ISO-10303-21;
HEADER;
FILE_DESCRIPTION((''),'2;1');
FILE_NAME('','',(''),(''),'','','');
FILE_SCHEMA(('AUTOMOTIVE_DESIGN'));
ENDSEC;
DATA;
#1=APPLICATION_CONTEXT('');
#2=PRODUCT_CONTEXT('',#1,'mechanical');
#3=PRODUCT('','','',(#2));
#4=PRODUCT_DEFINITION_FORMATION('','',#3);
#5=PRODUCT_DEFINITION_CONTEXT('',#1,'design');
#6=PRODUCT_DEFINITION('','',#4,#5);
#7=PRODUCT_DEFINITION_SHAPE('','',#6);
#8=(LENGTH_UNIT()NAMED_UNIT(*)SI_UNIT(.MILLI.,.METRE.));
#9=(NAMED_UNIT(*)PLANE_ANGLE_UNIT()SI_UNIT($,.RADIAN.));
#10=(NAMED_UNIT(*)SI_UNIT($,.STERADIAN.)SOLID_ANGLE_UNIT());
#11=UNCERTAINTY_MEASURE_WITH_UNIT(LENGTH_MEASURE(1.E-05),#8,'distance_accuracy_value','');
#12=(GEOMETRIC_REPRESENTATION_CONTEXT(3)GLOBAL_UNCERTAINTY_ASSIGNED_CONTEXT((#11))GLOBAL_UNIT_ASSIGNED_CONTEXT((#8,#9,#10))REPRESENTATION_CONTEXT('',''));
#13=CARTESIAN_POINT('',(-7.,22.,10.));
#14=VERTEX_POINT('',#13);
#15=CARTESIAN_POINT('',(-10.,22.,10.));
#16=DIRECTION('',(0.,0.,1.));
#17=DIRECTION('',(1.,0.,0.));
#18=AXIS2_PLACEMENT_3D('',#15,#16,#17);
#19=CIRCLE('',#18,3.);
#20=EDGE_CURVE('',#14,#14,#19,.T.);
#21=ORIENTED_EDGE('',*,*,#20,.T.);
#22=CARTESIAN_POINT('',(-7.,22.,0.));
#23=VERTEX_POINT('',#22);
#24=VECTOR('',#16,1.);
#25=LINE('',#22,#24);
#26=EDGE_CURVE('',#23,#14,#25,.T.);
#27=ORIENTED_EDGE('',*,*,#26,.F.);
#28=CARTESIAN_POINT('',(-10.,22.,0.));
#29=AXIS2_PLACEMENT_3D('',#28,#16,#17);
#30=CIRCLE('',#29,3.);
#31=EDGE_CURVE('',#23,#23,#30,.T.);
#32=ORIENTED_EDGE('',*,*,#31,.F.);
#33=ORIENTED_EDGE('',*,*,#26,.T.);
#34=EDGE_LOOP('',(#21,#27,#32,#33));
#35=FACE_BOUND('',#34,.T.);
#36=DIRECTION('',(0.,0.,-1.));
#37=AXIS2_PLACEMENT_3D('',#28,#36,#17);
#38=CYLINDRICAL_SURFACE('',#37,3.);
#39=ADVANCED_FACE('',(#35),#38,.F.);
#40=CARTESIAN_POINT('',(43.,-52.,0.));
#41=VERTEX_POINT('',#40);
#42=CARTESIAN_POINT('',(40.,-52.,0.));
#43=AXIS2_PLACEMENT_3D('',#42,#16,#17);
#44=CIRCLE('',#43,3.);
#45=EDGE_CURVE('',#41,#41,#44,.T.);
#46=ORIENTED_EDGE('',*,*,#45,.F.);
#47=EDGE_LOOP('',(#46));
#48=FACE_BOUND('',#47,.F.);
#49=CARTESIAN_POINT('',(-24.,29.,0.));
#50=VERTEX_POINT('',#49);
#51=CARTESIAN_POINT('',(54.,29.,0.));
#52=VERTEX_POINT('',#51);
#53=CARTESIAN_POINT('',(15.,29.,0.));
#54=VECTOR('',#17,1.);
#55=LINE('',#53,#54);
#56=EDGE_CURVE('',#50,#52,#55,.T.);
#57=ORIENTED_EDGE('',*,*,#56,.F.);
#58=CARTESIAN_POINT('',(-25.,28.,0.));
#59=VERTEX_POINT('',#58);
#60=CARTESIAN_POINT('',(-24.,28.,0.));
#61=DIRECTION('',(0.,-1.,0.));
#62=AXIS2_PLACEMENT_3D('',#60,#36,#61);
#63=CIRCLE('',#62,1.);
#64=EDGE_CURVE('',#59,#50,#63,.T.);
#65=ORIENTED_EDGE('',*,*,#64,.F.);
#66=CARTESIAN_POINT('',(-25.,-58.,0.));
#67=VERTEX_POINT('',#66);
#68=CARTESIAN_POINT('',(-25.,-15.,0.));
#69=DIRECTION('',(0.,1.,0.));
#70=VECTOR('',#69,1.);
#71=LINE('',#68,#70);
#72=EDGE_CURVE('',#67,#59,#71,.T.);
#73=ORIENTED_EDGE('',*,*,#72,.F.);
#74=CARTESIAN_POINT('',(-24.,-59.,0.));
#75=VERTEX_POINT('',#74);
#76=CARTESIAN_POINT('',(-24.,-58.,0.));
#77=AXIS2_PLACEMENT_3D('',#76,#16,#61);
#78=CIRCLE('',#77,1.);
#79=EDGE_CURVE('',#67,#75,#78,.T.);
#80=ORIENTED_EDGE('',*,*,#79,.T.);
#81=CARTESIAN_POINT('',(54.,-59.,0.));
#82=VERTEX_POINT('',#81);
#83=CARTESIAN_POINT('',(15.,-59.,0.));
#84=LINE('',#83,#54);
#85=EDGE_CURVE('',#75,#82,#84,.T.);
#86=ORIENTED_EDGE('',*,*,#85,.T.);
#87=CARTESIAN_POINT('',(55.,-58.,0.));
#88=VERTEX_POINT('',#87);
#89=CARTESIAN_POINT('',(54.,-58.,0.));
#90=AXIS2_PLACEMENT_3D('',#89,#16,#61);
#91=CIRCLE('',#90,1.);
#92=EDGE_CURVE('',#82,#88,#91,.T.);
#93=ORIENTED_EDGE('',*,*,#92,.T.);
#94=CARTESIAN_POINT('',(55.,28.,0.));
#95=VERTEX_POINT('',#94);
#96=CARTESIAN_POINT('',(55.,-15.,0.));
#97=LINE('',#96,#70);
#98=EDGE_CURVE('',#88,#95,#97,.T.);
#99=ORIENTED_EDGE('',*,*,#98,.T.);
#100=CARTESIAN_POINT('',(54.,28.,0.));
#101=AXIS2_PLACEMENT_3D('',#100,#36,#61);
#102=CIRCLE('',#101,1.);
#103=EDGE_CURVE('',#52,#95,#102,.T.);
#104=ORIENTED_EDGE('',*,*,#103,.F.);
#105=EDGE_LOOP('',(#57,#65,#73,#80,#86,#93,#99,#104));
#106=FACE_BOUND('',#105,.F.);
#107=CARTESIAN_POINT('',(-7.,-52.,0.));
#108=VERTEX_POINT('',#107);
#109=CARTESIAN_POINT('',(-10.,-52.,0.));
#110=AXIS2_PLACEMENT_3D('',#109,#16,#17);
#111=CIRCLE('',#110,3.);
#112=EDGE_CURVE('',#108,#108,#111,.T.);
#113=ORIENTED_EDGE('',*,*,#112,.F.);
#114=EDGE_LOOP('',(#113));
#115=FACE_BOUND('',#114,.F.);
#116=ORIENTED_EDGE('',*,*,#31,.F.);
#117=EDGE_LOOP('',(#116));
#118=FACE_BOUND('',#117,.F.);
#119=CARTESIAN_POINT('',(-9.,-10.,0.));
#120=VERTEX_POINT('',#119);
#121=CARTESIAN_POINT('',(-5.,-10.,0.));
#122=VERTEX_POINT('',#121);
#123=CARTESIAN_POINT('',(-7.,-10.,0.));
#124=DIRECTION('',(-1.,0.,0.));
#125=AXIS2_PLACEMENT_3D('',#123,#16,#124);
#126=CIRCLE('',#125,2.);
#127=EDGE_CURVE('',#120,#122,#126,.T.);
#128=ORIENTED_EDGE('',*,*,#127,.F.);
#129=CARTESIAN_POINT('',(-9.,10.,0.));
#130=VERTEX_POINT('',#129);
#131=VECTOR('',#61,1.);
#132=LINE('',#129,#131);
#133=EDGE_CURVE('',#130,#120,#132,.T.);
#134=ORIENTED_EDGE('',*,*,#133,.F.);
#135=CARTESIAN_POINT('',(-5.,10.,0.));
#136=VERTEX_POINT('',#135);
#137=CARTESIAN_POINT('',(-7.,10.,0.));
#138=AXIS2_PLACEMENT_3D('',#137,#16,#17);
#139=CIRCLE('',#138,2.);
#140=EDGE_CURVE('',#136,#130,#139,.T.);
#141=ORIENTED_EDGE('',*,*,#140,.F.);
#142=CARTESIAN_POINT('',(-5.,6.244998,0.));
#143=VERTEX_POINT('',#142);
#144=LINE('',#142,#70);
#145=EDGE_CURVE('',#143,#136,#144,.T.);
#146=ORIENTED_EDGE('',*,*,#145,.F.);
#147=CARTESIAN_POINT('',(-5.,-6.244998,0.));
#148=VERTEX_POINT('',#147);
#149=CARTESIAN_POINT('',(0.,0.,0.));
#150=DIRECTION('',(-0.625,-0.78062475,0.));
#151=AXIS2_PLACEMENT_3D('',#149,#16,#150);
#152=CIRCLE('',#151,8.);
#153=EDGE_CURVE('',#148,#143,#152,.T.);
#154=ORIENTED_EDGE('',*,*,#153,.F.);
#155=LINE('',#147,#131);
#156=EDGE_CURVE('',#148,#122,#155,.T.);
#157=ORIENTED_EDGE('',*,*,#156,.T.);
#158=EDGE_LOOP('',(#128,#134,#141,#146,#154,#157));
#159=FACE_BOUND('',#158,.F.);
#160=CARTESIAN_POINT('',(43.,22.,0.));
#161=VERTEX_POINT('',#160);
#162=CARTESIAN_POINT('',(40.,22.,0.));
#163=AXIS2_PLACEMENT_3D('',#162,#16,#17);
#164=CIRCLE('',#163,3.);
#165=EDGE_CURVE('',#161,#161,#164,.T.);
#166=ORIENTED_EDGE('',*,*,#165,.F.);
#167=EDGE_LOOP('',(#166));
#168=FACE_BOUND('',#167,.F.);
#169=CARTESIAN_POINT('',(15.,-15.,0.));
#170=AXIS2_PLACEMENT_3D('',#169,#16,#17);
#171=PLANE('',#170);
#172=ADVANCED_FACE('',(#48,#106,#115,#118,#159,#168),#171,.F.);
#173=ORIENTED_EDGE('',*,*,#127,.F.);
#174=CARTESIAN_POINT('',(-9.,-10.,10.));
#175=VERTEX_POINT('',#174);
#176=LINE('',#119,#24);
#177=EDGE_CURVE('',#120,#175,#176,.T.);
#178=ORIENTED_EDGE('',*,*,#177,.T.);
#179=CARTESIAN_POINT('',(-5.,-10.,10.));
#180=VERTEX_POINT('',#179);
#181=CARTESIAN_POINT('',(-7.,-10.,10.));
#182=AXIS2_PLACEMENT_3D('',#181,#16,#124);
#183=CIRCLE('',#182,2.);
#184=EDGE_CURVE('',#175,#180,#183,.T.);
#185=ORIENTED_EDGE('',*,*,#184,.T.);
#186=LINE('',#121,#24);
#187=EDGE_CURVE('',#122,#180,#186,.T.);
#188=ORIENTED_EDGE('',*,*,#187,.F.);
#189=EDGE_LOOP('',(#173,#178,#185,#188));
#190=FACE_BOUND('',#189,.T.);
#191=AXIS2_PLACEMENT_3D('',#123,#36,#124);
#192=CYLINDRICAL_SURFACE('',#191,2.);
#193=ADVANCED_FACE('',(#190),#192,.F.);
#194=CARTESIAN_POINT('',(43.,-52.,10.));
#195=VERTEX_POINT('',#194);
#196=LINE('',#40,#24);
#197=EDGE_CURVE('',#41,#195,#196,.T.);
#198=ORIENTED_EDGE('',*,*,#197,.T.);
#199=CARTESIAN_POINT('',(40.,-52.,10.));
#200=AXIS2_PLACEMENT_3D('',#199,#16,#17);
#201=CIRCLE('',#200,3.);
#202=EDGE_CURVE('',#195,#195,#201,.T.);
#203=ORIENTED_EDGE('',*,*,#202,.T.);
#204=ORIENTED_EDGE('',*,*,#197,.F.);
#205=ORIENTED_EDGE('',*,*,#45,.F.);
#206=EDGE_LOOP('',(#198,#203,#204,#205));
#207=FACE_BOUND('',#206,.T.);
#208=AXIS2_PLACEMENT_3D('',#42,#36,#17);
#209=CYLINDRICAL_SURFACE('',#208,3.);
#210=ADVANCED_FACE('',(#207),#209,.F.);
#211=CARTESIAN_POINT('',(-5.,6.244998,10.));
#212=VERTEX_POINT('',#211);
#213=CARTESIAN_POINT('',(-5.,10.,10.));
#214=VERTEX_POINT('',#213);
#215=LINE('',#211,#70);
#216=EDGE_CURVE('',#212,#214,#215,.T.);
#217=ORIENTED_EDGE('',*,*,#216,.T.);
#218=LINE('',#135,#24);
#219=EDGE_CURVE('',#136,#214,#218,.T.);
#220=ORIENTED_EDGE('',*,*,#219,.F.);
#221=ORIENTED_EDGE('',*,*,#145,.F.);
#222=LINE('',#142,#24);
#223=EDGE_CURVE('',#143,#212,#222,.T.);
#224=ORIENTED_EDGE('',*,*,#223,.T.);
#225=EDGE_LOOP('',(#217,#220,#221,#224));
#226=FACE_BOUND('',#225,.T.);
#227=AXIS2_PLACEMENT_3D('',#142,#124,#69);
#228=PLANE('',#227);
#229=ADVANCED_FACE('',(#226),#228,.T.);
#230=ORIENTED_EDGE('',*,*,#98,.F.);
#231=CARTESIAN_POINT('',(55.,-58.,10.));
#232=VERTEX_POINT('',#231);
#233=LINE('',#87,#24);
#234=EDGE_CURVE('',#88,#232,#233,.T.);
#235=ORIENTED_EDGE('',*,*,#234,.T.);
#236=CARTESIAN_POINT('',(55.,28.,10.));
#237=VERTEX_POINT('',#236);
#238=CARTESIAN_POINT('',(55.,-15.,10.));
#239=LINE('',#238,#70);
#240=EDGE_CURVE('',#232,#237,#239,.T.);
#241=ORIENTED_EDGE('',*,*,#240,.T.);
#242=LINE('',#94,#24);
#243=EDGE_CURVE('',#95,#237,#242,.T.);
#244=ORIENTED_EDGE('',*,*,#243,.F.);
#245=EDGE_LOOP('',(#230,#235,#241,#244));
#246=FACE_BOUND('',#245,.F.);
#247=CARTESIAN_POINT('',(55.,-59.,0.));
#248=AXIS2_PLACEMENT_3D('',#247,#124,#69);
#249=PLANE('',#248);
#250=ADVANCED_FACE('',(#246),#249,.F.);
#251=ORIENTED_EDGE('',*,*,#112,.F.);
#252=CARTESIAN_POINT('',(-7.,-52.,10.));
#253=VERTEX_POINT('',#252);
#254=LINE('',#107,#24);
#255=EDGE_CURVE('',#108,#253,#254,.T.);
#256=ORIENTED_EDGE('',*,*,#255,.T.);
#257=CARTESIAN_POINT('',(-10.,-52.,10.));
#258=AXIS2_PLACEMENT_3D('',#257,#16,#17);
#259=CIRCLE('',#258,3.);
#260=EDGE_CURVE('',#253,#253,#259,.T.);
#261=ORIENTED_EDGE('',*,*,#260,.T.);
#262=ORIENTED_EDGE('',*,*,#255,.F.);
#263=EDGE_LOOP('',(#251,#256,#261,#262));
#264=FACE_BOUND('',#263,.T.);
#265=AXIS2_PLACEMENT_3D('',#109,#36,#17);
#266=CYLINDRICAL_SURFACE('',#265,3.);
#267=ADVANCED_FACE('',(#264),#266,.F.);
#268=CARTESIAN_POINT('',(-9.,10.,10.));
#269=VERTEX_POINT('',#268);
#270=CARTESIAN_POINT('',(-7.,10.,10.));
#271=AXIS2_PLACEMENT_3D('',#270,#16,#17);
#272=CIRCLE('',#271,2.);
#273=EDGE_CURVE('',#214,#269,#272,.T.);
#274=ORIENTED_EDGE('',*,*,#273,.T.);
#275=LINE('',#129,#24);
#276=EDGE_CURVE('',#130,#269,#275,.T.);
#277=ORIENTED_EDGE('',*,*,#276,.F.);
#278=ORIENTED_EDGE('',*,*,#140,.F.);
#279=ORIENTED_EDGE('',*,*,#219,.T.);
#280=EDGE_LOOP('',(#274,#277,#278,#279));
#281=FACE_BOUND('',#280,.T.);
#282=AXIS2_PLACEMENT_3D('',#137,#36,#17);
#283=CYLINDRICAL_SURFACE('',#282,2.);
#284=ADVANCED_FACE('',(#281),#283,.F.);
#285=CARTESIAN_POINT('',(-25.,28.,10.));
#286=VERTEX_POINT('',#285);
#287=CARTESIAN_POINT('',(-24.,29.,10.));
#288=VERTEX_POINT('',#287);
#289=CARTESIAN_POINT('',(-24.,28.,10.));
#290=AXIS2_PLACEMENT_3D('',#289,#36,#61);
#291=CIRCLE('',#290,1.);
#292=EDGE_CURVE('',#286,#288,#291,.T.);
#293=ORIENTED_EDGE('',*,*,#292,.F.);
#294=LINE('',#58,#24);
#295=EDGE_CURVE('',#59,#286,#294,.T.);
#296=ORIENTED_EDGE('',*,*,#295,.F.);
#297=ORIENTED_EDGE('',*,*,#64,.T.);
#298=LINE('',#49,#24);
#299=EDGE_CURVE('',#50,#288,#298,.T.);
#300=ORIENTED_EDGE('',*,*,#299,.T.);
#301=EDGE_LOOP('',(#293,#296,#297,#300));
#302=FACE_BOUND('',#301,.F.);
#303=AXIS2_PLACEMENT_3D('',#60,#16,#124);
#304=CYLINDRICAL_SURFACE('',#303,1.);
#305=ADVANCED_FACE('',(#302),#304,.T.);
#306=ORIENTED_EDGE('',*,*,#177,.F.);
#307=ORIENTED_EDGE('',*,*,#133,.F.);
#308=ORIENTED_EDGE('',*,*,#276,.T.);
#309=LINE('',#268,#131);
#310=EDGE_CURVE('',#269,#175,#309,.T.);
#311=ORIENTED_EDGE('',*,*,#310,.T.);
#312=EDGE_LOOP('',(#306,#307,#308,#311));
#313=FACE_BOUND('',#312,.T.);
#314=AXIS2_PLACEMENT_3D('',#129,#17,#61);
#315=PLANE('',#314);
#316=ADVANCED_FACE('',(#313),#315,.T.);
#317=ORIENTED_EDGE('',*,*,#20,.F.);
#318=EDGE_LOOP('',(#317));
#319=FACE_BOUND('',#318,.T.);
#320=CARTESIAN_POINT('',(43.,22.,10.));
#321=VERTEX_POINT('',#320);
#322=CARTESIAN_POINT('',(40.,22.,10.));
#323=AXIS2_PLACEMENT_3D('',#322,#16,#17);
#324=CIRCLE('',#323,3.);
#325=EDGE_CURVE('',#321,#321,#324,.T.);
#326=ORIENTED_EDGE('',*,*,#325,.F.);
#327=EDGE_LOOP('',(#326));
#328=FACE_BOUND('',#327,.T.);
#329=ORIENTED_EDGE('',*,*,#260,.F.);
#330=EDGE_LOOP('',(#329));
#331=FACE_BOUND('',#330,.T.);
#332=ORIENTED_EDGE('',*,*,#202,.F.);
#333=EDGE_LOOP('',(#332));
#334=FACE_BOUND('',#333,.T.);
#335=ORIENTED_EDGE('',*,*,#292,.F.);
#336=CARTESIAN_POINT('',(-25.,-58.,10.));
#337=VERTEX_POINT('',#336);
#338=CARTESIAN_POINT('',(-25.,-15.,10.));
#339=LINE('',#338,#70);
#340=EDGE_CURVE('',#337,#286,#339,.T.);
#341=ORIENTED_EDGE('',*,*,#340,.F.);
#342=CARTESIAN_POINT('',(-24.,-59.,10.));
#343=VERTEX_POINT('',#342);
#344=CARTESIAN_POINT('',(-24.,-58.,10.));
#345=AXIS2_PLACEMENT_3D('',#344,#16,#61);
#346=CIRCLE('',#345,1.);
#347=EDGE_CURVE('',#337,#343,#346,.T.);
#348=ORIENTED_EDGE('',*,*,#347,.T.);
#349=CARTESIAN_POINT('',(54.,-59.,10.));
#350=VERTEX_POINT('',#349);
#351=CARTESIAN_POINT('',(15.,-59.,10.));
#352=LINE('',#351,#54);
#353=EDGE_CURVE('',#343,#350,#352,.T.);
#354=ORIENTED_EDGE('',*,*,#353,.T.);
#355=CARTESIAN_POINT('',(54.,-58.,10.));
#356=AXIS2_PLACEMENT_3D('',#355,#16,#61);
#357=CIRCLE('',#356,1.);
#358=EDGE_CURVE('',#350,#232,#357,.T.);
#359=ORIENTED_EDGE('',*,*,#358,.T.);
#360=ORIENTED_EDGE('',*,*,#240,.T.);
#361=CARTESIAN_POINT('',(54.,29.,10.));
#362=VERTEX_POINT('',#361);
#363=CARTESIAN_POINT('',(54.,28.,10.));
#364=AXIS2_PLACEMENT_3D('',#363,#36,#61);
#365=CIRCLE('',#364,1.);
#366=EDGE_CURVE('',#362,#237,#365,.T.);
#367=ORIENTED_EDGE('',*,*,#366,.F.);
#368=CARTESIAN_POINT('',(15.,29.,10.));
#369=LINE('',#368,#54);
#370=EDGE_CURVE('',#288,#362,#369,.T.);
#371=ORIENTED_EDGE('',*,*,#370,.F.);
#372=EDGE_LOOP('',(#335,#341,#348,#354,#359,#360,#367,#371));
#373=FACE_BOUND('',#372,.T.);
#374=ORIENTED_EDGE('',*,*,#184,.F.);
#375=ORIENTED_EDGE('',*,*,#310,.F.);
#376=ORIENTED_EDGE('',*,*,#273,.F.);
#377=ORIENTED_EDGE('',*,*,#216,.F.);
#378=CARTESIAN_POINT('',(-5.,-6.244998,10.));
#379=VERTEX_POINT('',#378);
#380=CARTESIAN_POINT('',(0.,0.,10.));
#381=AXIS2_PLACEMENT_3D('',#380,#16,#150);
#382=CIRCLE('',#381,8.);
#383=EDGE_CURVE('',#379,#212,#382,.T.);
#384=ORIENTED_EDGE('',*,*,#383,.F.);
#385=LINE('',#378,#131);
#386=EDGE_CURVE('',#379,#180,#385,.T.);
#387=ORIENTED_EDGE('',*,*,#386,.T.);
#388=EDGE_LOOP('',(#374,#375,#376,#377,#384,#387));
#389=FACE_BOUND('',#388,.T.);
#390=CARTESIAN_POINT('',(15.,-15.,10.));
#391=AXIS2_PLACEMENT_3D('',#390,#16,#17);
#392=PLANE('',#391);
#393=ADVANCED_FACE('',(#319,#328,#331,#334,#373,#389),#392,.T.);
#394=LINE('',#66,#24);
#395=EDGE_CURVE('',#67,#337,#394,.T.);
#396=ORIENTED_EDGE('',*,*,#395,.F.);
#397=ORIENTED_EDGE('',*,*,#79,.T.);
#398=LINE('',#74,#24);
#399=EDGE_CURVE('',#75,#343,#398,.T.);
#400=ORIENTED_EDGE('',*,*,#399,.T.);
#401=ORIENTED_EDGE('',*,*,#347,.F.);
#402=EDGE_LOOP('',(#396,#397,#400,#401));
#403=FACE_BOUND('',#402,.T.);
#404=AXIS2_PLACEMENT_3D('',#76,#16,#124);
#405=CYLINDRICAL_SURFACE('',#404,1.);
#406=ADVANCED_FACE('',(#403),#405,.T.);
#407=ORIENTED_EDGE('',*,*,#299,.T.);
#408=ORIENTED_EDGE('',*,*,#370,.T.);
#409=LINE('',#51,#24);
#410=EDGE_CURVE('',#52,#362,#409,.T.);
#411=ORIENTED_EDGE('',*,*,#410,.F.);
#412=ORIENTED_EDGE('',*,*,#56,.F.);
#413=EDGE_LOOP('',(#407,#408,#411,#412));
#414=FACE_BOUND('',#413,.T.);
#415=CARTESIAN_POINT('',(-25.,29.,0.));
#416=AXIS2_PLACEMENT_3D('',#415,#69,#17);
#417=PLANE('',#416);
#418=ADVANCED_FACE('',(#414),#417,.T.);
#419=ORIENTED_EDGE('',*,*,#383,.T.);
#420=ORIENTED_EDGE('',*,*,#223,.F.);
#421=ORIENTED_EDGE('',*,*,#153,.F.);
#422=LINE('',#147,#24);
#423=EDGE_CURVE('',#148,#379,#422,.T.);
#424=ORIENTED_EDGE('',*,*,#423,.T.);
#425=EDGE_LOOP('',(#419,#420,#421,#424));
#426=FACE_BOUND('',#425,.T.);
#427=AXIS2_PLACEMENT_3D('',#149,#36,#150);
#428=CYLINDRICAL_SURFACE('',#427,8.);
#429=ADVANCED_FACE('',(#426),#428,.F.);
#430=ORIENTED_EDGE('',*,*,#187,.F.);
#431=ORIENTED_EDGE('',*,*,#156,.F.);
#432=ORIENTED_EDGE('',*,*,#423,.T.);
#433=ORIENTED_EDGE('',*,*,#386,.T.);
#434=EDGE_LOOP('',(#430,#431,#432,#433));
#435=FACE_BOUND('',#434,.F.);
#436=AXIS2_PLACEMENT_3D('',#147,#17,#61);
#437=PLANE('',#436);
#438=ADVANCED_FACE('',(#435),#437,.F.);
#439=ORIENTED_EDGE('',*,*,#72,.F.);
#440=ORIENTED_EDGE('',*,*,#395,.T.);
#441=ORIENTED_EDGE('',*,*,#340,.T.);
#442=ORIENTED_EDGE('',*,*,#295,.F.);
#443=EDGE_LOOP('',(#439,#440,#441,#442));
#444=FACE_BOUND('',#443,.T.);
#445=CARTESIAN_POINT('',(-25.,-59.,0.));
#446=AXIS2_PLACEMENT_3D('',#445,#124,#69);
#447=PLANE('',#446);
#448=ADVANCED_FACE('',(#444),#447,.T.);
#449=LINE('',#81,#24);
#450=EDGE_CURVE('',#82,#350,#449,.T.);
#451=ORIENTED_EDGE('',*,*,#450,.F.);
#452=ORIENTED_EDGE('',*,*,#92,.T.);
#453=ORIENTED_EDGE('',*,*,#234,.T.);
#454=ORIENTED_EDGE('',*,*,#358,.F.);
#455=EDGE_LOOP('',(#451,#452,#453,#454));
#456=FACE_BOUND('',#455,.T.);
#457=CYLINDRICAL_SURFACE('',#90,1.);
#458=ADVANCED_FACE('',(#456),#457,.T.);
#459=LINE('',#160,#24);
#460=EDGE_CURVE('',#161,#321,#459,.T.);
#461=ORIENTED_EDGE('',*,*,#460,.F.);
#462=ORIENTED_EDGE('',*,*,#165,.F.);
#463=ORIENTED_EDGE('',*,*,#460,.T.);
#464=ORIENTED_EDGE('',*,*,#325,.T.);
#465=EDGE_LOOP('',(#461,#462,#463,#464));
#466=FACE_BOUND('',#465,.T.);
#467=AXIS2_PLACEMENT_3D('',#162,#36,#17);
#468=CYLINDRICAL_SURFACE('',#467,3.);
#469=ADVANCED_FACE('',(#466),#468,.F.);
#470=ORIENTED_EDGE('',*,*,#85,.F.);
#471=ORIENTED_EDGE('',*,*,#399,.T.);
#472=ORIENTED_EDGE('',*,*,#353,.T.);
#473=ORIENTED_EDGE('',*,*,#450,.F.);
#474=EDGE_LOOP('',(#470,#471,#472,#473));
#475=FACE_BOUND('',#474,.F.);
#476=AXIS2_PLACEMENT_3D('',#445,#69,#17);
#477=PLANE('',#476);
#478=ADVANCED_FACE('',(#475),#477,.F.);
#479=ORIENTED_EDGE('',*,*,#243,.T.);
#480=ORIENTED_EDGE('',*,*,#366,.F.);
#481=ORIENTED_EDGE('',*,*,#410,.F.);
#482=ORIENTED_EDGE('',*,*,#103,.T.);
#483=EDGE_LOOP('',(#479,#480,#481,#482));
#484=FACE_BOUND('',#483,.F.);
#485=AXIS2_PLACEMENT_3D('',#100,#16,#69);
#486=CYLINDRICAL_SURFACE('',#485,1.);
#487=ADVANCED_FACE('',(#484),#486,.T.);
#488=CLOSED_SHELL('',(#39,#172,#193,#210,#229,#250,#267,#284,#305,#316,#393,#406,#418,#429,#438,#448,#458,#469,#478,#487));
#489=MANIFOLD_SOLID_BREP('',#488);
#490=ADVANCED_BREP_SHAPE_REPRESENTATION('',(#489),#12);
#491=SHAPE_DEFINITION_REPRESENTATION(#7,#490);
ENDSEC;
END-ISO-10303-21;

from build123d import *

# Parameters (mm, degrees)
SKETCH_W    = 80
SKETCH_H    = 88
SKETCH_R    = 3
PAD_DEPTH   = 10
FILLET_R    = 1
FILLET001_R = 1


with BuildPart() as part:
    # Sketch → Pad (new body)
    with BuildSketch(Plane.XY):
        with Locations((15, -15)):
            Rectangle(SKETCH_W, SKETCH_H)
        with Locations((-10, -52)):
            Circle(SKETCH_R, mode=Mode.SUBTRACT)
        with Locations((40, -52)):
            Circle(SKETCH_R, mode=Mode.SUBTRACT)
        with Locations((40, 22)):
            Circle(SKETCH_R, mode=Mode.SUBTRACT)
        with Locations((-10, 22)):
            Circle(SKETCH_R, mode=Mode.SUBTRACT)
        with BuildLine():
            ThreePointArc((-5, -6.244998), (8, 0), (-5, 6.244998))
            Line((-5, 6.244998), (-5, 10))
            ThreePointArc((-5, 10), (-7, 12), (-9, 10))
            Line((-9, 10), (-9, -10))
            ThreePointArc((-9, -10), (-7, -12), (-5, -10))
            Line((-5, -6.244998), (-5, -10))
        make_face(mode=Mode.SUBTRACT)
    extrude(amount=PAD_DEPTH)

    # Fillet
    fillet_edges = [part.edges().sort_by_distance(p)[0] for p in [
        (-25, -59, 5),
        (-25, 29, 5),
    ]]
    fillet(fillet_edges, radius=FILLET_R)

    # Fillet001
    fillet001_edges = [part.edges().sort_by_distance(p)[0] for p in [
        (55, -59, 5),
        (55, 29, 5),
    ]]
    fillet(fillet001_edges, radius=FILLET001_R)


solid = part.part
